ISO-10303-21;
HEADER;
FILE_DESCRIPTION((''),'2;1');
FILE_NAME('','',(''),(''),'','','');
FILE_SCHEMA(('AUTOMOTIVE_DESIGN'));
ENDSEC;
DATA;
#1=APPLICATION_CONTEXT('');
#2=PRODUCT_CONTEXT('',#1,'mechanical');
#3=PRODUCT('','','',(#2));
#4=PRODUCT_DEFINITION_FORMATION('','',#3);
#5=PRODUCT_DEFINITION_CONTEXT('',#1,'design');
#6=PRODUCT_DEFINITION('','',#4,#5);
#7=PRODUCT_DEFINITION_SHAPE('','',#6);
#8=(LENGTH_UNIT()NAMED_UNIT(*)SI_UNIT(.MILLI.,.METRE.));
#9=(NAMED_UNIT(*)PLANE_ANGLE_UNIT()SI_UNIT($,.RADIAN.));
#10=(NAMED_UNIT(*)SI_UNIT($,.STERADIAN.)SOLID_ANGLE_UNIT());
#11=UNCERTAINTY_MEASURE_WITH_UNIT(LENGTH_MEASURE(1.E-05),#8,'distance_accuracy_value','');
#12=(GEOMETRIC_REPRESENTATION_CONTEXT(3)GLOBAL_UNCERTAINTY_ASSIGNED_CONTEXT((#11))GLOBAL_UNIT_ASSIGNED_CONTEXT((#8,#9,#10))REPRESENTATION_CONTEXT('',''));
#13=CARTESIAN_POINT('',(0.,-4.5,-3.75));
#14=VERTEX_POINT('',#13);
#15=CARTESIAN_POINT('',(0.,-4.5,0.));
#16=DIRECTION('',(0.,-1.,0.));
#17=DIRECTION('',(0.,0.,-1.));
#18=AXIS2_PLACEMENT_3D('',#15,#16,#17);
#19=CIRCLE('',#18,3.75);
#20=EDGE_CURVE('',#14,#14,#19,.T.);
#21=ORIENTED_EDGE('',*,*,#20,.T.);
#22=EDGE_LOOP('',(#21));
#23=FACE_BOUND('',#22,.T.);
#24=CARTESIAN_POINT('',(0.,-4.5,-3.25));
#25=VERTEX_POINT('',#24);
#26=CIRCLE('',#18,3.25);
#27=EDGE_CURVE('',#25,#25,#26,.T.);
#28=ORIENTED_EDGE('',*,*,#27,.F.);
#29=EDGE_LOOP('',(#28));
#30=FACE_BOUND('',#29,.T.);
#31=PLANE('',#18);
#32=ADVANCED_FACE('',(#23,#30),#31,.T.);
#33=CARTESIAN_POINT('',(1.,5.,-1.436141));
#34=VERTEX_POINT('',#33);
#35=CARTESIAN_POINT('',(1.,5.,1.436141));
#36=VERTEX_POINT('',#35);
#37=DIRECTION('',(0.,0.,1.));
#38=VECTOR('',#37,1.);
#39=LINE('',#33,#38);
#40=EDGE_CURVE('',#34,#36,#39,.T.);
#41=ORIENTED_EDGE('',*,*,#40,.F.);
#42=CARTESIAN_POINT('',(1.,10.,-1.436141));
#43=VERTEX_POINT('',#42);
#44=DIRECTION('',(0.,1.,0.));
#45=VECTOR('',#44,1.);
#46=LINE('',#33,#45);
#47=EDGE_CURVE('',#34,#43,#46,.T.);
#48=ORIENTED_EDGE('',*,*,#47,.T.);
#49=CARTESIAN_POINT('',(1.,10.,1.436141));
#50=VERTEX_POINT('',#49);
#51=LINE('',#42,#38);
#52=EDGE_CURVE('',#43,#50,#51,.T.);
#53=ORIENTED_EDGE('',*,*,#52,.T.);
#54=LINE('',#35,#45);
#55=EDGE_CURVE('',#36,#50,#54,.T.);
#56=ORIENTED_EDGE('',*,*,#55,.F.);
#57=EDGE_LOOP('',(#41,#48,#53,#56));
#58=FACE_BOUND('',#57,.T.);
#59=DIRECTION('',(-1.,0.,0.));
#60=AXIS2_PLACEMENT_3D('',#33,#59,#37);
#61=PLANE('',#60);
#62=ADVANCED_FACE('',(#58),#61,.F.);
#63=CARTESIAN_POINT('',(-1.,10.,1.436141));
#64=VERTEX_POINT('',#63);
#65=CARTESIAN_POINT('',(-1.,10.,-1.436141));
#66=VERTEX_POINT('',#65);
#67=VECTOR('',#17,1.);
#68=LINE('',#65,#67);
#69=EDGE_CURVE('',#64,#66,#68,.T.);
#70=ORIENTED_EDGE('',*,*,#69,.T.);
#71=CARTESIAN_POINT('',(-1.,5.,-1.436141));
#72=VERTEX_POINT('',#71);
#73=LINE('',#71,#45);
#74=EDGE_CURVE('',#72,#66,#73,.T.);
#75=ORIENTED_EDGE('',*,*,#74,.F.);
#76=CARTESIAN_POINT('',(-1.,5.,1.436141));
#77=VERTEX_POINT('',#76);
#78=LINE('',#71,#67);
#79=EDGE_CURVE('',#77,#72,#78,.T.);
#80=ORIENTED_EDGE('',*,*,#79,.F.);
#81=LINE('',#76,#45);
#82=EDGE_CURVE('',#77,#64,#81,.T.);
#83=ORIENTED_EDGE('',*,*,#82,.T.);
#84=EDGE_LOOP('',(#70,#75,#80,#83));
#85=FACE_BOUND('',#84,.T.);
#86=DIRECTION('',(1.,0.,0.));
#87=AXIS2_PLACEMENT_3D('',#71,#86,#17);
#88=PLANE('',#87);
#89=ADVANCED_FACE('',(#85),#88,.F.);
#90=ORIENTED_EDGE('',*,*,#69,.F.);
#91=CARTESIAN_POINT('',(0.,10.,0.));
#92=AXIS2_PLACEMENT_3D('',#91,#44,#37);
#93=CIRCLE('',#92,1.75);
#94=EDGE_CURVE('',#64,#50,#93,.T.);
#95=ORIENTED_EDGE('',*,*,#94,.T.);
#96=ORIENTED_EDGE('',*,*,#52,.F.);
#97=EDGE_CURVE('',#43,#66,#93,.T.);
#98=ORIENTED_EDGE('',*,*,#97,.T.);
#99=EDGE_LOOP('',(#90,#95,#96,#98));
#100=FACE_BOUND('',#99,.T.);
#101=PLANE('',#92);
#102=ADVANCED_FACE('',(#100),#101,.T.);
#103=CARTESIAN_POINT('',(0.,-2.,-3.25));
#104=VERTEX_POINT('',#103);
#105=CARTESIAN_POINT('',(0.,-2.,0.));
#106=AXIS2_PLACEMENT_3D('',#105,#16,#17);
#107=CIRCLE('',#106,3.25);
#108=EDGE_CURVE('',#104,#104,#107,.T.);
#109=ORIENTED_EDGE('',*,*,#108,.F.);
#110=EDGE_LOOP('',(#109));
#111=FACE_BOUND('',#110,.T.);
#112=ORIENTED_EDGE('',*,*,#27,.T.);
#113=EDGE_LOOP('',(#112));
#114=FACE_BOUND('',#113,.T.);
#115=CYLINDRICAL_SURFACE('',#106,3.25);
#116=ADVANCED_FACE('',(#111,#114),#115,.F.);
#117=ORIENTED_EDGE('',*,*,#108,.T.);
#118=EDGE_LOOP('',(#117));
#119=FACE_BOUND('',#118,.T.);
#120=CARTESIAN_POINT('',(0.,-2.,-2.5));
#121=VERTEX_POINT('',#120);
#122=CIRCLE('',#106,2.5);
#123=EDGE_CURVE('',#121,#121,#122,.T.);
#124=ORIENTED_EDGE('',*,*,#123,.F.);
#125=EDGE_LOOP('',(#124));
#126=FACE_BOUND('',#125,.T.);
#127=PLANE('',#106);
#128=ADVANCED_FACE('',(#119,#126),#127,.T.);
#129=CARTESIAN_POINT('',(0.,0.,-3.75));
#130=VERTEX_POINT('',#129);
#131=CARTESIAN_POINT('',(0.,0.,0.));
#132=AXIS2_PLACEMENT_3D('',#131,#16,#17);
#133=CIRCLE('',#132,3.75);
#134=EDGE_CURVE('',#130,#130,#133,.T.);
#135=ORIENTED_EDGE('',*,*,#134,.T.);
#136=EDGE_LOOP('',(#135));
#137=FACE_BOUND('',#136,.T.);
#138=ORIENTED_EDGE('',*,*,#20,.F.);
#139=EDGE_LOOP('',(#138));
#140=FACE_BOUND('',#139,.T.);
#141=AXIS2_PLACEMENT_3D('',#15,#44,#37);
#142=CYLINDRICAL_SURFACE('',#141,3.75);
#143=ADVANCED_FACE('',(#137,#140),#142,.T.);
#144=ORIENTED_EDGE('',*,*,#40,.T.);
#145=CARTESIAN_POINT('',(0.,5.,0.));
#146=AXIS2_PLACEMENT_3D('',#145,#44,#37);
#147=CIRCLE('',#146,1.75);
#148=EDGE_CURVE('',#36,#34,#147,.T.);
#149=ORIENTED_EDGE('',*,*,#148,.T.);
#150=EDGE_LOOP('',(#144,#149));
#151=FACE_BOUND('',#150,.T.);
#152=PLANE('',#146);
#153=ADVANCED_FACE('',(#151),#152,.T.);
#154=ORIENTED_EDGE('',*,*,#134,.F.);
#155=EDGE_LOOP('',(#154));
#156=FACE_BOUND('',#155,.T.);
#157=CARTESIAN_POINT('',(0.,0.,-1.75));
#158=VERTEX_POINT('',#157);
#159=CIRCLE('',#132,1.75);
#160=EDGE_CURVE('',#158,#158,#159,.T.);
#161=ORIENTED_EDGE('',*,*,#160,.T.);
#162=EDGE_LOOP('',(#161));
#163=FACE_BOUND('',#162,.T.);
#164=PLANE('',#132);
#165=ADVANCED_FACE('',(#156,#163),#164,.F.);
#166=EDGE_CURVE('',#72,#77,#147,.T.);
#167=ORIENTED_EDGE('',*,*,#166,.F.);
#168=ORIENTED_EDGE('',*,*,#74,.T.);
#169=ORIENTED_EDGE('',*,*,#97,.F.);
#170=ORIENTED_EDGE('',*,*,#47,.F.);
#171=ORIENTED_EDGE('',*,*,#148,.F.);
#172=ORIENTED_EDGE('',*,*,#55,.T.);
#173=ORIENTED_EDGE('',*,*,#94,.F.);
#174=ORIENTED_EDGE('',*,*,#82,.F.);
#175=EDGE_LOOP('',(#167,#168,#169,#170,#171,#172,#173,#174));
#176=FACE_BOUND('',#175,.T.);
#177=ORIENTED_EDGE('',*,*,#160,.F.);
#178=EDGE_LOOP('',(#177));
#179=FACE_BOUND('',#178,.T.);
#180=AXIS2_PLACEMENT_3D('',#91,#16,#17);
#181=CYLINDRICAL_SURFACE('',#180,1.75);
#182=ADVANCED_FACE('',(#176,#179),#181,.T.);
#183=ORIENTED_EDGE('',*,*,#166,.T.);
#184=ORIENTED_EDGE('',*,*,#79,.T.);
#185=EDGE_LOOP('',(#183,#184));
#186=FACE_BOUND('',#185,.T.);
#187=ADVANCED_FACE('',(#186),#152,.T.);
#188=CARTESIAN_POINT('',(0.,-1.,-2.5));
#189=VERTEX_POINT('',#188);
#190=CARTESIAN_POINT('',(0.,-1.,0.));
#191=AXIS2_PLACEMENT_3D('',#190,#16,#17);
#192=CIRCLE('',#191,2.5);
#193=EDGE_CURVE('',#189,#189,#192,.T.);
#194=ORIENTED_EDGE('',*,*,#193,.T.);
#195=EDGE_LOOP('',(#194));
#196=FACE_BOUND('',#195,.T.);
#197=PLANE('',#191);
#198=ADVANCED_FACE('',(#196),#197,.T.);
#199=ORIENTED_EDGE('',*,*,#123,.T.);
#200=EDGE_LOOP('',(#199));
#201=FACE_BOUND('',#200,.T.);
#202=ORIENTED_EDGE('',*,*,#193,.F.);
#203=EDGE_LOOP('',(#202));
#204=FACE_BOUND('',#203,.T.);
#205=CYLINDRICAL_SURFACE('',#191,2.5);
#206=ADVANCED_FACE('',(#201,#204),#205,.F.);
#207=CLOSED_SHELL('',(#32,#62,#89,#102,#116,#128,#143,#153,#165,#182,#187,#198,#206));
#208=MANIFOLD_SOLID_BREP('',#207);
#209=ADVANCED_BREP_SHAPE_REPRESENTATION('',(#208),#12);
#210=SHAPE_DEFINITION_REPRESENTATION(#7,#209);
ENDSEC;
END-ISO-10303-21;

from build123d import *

# Parameters (mm, degrees)
SKETCH1_R           = 1.75
BOSS_EXTRUDE1_DEPTH = 10
CUT_EXTRUDE1_DEPTH  = 5
SKETCH3_R           = 3.75
BOSS_EXTRUDE2_DEPTH = 4.5
SKETCH4_R           = 3.25
CUT_EXTRUDE2_DEPTH  = 2.5
SKETCH5_R           = 2.5
CUT_EXTRUDE3_DEPTH  = 1


with BuildPart() as part:
    # Sketch1 → Boss-Extrude1 (new body)
    with BuildSketch(Plane(origin=(0, 0, 0), x_dir=(1, 0, 0), z_dir=(0, 1, 0))):
        Circle(SKETCH1_R)
    extrude(amount=BOSS_EXTRUDE1_DEPTH)

    # Sketch2 → Cut-Extrude1 (cut)
    with BuildSketch(Plane(origin=(0, 10, 0), x_dir=(1, 0, 0), z_dir=(0, 1, 0))):
        with BuildLine():
            Line((-1, 1.436140662), (-1, -1.436140662))
            ThreePointArc((-1, -1.436140662), (-1.75, 0), (-1, 1.436140662))
        make_face()
        with BuildLine():
            Line((1, 1.436140662), (1, -1.436140662))
            ThreePointArc((1, -1.436140662), (1.75, 0), (1, 1.436140662))
        make_face()
    extrude(amount=-CUT_EXTRUDE1_DEPTH, mode=Mode.SUBTRACT)

    # Sketch3 → Boss-Extrude2 (add)
    with BuildSketch(Plane.XZ):
        Circle(SKETCH3_R)
    extrude(amount=BOSS_EXTRUDE2_DEPTH)

    # Sketch4 → Cut-Extrude2 (cut)
    with BuildSketch(Plane.XZ.offset(4.5)):
        Circle(SKETCH4_R)
    extrude(amount=-CUT_EXTRUDE2_DEPTH, mode=Mode.SUBTRACT)

    # Sketch5 → Cut-Extrude3 (cut)
    with BuildSketch(Plane.XZ.offset(2)):
        Circle(SKETCH5_R)
    extrude(amount=-CUT_EXTRUDE3_DEPTH, mode=Mode.SUBTRACT)


solid = part.part
